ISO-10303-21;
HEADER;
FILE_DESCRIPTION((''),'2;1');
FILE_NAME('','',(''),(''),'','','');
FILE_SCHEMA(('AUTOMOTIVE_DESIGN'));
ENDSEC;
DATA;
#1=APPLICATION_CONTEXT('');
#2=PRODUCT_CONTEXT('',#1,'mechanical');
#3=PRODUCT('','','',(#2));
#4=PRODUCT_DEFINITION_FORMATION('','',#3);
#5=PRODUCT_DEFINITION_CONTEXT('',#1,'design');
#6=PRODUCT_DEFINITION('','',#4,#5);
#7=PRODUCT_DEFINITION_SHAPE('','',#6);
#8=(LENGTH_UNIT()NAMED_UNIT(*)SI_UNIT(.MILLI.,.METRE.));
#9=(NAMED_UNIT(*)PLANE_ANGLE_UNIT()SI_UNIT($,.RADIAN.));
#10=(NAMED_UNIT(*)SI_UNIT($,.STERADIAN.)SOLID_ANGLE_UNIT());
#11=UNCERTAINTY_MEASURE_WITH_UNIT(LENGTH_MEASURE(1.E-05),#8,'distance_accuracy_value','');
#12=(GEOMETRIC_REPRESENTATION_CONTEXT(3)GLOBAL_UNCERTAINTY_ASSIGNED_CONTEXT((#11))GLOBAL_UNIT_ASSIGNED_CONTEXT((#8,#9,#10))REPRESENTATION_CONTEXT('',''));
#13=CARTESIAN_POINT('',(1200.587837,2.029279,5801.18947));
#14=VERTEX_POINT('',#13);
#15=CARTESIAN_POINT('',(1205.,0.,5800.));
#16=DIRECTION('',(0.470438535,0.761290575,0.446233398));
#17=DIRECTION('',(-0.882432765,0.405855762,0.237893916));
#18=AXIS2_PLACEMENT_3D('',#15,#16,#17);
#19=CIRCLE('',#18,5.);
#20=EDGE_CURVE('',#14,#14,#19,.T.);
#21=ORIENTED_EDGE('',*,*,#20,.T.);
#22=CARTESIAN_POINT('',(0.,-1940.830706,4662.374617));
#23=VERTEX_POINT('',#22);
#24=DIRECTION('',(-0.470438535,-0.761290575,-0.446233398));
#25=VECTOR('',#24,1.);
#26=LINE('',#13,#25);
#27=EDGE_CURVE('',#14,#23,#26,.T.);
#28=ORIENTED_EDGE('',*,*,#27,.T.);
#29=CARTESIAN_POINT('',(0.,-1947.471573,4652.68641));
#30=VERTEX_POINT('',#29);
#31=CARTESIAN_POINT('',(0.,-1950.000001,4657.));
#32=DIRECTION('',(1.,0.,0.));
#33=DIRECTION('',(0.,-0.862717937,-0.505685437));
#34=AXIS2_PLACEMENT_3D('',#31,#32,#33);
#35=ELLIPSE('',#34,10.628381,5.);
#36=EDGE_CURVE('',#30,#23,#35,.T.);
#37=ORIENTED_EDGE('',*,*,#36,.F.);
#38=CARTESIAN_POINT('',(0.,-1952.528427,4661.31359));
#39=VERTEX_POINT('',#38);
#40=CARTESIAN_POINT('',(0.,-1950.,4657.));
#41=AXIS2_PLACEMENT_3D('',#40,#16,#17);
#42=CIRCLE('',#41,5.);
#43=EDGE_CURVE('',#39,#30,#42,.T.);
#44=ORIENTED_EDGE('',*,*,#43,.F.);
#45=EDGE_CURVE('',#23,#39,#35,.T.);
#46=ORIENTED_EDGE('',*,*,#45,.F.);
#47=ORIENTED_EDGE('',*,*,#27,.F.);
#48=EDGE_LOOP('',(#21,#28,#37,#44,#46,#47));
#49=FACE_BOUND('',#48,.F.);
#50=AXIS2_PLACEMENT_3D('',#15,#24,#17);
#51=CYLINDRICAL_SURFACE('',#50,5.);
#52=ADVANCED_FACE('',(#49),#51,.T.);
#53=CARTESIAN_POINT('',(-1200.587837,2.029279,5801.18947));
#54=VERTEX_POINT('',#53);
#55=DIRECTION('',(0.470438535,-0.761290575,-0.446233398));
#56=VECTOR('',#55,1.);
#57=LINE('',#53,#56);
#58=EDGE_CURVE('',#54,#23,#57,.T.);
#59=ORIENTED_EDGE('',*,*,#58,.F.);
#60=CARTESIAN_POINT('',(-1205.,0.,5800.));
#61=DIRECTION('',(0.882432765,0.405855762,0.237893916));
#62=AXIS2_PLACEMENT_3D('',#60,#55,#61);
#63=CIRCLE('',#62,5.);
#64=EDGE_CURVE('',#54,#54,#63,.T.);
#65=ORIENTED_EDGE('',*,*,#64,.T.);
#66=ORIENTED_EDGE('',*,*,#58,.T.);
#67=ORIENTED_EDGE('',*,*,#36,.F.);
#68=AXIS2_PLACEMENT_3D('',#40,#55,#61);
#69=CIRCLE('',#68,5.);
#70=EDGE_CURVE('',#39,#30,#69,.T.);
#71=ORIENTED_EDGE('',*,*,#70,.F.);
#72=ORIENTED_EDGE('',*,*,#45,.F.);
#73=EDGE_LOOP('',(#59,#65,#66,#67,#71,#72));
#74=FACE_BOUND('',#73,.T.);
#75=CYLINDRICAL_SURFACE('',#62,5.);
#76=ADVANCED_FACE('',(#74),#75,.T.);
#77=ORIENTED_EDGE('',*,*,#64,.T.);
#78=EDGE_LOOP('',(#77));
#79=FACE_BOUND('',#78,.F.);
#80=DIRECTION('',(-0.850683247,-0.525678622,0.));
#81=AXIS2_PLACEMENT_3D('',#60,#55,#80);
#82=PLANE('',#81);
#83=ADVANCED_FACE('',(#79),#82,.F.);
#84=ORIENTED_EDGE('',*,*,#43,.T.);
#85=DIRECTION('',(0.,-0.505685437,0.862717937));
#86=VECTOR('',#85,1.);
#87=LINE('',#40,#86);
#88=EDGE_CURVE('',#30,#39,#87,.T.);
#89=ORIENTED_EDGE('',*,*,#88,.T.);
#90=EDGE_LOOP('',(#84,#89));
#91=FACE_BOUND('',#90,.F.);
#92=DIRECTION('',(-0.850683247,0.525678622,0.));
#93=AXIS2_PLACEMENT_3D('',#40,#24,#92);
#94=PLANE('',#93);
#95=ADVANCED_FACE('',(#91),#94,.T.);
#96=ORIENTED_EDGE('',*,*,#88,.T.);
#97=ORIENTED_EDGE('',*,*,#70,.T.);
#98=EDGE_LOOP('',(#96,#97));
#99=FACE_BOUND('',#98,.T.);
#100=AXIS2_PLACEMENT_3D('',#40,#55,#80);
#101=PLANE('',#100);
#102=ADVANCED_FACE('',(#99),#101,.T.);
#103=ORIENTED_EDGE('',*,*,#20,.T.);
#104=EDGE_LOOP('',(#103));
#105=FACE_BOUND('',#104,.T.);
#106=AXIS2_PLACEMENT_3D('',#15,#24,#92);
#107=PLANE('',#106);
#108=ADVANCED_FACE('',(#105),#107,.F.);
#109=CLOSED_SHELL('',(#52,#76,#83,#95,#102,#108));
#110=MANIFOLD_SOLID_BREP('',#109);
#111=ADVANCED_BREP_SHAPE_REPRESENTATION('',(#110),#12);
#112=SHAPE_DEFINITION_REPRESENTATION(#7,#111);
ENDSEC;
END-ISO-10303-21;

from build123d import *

# Parameters (mm, degrees)
F9_R = 5


with BuildPart() as f10:
    # F10: sweep along a path in F7
    with BuildLine(Plane(origin=(-872.012693821, -538.8591261817, 0), x_dir=(-0.5256786218, 0.8506832469, 0), z_dir=(0.8506832469, 0.5256786218, 0))) as f10_path:
        Line((633.4427392793, 5800), (-1658.8323314747, 4657))
    # F9 (on line) → F10 (sweep)
    with BuildSketch(Plane(origin=(-1484.2486992023, 2401.8962352236, 1407.8807163388), x_dir=(0.8824327652, 0.4058557621, 0.237893916), z_dir=(0.4704385347, -0.7612905748, -0.4462333984))):
        with Locations((316.4532304484, 5003.7640347677)):
            Circle(F9_R)
    sweep(path=f10_path.line)

    # F11: F10 across plane


with BuildPart() as f10_1:
    add(f10.part)
    add(f10.part.mirror(Plane.YZ))


solid = f10_1.part
